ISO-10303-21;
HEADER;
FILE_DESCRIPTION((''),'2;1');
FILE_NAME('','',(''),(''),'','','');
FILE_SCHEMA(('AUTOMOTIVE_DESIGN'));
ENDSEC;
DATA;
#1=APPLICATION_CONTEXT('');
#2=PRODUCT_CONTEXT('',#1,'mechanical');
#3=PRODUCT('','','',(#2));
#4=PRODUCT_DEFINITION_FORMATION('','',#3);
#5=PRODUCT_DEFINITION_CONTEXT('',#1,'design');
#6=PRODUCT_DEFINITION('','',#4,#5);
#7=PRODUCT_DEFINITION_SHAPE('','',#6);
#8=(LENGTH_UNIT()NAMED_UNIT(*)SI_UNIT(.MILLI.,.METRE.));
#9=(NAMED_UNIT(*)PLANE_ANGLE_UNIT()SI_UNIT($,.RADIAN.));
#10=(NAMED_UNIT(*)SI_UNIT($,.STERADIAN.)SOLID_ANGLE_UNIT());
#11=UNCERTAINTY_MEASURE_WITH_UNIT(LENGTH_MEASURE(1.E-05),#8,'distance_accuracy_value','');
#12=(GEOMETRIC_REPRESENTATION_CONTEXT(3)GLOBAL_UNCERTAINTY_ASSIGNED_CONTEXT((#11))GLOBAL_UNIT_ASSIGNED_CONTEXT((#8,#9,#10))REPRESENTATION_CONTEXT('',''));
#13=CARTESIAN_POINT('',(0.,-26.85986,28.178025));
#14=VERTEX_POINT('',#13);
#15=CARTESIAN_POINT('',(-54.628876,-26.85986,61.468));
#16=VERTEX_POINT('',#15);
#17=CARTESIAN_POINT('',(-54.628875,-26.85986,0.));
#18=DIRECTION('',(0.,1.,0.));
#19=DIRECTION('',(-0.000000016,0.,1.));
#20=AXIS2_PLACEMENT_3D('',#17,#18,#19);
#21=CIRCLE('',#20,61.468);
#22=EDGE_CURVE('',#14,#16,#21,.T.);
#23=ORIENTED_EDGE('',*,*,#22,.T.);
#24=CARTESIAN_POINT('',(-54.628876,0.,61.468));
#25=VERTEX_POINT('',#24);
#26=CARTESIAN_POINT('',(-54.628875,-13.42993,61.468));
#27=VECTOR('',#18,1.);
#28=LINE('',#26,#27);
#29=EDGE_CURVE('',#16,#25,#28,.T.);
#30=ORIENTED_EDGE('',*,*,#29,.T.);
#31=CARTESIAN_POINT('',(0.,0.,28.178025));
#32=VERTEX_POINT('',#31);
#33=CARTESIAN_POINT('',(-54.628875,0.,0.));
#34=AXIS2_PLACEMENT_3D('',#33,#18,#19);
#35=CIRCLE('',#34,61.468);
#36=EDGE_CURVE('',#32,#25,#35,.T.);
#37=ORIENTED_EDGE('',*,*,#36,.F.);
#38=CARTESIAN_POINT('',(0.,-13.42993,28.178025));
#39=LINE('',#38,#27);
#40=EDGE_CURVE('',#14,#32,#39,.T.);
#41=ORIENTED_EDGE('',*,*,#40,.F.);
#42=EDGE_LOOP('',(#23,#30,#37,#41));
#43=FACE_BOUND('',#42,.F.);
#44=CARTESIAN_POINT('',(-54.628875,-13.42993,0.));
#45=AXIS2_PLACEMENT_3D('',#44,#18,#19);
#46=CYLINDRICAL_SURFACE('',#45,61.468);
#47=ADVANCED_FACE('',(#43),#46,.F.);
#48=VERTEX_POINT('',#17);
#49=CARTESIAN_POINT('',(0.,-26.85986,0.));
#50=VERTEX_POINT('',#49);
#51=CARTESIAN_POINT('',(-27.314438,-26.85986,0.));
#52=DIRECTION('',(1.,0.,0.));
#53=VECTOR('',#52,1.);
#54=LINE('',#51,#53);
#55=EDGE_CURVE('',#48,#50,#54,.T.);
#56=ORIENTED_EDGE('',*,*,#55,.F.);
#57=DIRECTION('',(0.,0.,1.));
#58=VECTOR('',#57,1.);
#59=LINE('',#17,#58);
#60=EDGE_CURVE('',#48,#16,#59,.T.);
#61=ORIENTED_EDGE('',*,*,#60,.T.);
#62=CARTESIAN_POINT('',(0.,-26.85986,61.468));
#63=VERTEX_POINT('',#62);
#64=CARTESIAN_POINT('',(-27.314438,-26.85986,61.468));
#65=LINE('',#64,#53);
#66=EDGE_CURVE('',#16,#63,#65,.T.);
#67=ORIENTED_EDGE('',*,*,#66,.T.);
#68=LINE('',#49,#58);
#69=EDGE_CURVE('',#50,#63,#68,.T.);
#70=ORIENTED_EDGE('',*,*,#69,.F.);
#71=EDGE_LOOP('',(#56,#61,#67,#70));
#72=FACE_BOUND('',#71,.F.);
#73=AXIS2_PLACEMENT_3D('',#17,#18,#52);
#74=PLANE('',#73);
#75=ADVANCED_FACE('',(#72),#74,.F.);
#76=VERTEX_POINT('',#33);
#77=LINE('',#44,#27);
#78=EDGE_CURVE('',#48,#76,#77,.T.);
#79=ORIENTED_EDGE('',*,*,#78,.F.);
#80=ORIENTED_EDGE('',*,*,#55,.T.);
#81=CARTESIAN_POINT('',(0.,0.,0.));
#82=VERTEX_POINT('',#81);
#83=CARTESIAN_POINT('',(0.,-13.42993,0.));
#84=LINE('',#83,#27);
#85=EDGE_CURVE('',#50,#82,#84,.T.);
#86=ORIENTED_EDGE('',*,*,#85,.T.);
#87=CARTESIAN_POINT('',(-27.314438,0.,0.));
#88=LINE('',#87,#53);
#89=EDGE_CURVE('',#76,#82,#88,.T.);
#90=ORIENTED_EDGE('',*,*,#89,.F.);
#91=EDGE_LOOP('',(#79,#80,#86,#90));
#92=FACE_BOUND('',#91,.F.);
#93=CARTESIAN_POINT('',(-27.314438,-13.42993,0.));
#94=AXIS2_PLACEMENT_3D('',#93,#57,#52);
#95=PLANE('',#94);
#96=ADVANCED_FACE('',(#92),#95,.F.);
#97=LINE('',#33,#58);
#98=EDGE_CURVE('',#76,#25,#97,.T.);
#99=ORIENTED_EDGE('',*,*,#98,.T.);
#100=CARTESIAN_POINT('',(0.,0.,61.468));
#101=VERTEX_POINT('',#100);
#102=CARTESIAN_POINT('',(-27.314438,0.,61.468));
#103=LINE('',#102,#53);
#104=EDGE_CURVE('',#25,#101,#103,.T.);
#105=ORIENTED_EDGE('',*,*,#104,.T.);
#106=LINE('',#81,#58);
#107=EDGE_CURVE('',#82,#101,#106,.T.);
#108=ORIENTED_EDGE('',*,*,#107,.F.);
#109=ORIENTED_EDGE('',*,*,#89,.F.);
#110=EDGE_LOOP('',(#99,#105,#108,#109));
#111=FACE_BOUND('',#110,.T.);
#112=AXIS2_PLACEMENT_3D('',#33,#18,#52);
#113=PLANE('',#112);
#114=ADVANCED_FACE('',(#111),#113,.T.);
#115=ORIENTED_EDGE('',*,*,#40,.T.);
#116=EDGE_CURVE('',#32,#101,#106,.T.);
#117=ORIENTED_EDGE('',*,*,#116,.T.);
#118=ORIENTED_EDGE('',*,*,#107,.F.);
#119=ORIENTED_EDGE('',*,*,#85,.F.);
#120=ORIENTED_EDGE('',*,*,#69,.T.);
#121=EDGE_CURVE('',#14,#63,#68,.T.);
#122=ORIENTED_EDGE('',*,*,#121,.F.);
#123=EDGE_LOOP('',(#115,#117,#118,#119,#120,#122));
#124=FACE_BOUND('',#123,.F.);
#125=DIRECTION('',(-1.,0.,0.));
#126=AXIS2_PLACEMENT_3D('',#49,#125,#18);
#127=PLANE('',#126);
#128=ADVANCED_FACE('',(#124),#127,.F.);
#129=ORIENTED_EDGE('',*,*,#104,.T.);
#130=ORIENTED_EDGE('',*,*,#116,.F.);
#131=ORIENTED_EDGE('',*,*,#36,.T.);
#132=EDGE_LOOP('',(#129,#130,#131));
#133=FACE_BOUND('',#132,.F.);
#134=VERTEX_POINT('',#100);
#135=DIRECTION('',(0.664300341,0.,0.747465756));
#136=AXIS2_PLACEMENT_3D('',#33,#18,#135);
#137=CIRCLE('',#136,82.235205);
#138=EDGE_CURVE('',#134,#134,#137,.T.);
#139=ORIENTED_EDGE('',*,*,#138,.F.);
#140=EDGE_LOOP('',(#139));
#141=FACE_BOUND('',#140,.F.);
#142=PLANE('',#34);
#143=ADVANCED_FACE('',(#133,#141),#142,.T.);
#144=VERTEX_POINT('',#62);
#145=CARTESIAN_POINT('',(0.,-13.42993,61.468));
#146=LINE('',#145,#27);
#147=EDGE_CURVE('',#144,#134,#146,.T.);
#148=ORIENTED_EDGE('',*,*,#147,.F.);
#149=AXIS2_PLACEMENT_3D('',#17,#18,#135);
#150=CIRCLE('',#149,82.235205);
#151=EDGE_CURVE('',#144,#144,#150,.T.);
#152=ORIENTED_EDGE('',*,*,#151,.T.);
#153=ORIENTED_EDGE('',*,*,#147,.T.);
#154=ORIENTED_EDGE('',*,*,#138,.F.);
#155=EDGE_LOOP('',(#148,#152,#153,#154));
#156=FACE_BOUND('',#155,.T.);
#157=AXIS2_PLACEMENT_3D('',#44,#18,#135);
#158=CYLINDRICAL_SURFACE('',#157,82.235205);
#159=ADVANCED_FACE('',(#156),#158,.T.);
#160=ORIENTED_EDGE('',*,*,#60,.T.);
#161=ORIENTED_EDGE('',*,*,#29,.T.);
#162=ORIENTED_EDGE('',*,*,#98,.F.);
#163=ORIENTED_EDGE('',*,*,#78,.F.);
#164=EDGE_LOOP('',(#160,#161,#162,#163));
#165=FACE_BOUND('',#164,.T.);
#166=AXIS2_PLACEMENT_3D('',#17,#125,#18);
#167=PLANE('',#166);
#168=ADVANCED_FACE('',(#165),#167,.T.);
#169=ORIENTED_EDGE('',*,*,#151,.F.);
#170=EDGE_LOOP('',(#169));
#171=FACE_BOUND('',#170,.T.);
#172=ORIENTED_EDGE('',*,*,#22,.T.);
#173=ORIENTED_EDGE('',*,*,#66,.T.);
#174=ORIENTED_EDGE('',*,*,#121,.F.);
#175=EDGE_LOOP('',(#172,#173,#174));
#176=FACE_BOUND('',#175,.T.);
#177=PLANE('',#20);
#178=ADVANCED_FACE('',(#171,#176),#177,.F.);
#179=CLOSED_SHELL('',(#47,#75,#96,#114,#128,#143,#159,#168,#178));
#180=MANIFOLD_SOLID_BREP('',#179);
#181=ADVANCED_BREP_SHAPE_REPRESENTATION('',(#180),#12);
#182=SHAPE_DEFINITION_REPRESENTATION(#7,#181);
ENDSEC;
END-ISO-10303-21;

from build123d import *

# Parameters (mm, degrees)
F0_W      = 54.628875
F0_H      = 26.859861
F1_DEPTH  = 61.468
F1_FACE_W = 54.628876
F1_FACE_H = 26.85986


with BuildPart() as f1:
    # F0 (on Top) → F1 (new body)
    with BuildSketch(Plane.XY):
        with Locations((-27.314438, -13.42993)):
            Rectangle(F0_W, F0_H)
    extrude(amount=F1_DEPTH)

    # F1_face (on face) → F2 (revolve)
    with BuildSketch(Plane(origin=(-27.314438, -13.42993, 61.468), x_dir=(1, 0, 0), z_dir=(0, 0, 1))):
        Rectangle(F1_FACE_W, F1_FACE_H)
    revolve(axis=Axis((-54.628875, -13.42993, 0), (0, 1, 0)))


solid = f1.part
